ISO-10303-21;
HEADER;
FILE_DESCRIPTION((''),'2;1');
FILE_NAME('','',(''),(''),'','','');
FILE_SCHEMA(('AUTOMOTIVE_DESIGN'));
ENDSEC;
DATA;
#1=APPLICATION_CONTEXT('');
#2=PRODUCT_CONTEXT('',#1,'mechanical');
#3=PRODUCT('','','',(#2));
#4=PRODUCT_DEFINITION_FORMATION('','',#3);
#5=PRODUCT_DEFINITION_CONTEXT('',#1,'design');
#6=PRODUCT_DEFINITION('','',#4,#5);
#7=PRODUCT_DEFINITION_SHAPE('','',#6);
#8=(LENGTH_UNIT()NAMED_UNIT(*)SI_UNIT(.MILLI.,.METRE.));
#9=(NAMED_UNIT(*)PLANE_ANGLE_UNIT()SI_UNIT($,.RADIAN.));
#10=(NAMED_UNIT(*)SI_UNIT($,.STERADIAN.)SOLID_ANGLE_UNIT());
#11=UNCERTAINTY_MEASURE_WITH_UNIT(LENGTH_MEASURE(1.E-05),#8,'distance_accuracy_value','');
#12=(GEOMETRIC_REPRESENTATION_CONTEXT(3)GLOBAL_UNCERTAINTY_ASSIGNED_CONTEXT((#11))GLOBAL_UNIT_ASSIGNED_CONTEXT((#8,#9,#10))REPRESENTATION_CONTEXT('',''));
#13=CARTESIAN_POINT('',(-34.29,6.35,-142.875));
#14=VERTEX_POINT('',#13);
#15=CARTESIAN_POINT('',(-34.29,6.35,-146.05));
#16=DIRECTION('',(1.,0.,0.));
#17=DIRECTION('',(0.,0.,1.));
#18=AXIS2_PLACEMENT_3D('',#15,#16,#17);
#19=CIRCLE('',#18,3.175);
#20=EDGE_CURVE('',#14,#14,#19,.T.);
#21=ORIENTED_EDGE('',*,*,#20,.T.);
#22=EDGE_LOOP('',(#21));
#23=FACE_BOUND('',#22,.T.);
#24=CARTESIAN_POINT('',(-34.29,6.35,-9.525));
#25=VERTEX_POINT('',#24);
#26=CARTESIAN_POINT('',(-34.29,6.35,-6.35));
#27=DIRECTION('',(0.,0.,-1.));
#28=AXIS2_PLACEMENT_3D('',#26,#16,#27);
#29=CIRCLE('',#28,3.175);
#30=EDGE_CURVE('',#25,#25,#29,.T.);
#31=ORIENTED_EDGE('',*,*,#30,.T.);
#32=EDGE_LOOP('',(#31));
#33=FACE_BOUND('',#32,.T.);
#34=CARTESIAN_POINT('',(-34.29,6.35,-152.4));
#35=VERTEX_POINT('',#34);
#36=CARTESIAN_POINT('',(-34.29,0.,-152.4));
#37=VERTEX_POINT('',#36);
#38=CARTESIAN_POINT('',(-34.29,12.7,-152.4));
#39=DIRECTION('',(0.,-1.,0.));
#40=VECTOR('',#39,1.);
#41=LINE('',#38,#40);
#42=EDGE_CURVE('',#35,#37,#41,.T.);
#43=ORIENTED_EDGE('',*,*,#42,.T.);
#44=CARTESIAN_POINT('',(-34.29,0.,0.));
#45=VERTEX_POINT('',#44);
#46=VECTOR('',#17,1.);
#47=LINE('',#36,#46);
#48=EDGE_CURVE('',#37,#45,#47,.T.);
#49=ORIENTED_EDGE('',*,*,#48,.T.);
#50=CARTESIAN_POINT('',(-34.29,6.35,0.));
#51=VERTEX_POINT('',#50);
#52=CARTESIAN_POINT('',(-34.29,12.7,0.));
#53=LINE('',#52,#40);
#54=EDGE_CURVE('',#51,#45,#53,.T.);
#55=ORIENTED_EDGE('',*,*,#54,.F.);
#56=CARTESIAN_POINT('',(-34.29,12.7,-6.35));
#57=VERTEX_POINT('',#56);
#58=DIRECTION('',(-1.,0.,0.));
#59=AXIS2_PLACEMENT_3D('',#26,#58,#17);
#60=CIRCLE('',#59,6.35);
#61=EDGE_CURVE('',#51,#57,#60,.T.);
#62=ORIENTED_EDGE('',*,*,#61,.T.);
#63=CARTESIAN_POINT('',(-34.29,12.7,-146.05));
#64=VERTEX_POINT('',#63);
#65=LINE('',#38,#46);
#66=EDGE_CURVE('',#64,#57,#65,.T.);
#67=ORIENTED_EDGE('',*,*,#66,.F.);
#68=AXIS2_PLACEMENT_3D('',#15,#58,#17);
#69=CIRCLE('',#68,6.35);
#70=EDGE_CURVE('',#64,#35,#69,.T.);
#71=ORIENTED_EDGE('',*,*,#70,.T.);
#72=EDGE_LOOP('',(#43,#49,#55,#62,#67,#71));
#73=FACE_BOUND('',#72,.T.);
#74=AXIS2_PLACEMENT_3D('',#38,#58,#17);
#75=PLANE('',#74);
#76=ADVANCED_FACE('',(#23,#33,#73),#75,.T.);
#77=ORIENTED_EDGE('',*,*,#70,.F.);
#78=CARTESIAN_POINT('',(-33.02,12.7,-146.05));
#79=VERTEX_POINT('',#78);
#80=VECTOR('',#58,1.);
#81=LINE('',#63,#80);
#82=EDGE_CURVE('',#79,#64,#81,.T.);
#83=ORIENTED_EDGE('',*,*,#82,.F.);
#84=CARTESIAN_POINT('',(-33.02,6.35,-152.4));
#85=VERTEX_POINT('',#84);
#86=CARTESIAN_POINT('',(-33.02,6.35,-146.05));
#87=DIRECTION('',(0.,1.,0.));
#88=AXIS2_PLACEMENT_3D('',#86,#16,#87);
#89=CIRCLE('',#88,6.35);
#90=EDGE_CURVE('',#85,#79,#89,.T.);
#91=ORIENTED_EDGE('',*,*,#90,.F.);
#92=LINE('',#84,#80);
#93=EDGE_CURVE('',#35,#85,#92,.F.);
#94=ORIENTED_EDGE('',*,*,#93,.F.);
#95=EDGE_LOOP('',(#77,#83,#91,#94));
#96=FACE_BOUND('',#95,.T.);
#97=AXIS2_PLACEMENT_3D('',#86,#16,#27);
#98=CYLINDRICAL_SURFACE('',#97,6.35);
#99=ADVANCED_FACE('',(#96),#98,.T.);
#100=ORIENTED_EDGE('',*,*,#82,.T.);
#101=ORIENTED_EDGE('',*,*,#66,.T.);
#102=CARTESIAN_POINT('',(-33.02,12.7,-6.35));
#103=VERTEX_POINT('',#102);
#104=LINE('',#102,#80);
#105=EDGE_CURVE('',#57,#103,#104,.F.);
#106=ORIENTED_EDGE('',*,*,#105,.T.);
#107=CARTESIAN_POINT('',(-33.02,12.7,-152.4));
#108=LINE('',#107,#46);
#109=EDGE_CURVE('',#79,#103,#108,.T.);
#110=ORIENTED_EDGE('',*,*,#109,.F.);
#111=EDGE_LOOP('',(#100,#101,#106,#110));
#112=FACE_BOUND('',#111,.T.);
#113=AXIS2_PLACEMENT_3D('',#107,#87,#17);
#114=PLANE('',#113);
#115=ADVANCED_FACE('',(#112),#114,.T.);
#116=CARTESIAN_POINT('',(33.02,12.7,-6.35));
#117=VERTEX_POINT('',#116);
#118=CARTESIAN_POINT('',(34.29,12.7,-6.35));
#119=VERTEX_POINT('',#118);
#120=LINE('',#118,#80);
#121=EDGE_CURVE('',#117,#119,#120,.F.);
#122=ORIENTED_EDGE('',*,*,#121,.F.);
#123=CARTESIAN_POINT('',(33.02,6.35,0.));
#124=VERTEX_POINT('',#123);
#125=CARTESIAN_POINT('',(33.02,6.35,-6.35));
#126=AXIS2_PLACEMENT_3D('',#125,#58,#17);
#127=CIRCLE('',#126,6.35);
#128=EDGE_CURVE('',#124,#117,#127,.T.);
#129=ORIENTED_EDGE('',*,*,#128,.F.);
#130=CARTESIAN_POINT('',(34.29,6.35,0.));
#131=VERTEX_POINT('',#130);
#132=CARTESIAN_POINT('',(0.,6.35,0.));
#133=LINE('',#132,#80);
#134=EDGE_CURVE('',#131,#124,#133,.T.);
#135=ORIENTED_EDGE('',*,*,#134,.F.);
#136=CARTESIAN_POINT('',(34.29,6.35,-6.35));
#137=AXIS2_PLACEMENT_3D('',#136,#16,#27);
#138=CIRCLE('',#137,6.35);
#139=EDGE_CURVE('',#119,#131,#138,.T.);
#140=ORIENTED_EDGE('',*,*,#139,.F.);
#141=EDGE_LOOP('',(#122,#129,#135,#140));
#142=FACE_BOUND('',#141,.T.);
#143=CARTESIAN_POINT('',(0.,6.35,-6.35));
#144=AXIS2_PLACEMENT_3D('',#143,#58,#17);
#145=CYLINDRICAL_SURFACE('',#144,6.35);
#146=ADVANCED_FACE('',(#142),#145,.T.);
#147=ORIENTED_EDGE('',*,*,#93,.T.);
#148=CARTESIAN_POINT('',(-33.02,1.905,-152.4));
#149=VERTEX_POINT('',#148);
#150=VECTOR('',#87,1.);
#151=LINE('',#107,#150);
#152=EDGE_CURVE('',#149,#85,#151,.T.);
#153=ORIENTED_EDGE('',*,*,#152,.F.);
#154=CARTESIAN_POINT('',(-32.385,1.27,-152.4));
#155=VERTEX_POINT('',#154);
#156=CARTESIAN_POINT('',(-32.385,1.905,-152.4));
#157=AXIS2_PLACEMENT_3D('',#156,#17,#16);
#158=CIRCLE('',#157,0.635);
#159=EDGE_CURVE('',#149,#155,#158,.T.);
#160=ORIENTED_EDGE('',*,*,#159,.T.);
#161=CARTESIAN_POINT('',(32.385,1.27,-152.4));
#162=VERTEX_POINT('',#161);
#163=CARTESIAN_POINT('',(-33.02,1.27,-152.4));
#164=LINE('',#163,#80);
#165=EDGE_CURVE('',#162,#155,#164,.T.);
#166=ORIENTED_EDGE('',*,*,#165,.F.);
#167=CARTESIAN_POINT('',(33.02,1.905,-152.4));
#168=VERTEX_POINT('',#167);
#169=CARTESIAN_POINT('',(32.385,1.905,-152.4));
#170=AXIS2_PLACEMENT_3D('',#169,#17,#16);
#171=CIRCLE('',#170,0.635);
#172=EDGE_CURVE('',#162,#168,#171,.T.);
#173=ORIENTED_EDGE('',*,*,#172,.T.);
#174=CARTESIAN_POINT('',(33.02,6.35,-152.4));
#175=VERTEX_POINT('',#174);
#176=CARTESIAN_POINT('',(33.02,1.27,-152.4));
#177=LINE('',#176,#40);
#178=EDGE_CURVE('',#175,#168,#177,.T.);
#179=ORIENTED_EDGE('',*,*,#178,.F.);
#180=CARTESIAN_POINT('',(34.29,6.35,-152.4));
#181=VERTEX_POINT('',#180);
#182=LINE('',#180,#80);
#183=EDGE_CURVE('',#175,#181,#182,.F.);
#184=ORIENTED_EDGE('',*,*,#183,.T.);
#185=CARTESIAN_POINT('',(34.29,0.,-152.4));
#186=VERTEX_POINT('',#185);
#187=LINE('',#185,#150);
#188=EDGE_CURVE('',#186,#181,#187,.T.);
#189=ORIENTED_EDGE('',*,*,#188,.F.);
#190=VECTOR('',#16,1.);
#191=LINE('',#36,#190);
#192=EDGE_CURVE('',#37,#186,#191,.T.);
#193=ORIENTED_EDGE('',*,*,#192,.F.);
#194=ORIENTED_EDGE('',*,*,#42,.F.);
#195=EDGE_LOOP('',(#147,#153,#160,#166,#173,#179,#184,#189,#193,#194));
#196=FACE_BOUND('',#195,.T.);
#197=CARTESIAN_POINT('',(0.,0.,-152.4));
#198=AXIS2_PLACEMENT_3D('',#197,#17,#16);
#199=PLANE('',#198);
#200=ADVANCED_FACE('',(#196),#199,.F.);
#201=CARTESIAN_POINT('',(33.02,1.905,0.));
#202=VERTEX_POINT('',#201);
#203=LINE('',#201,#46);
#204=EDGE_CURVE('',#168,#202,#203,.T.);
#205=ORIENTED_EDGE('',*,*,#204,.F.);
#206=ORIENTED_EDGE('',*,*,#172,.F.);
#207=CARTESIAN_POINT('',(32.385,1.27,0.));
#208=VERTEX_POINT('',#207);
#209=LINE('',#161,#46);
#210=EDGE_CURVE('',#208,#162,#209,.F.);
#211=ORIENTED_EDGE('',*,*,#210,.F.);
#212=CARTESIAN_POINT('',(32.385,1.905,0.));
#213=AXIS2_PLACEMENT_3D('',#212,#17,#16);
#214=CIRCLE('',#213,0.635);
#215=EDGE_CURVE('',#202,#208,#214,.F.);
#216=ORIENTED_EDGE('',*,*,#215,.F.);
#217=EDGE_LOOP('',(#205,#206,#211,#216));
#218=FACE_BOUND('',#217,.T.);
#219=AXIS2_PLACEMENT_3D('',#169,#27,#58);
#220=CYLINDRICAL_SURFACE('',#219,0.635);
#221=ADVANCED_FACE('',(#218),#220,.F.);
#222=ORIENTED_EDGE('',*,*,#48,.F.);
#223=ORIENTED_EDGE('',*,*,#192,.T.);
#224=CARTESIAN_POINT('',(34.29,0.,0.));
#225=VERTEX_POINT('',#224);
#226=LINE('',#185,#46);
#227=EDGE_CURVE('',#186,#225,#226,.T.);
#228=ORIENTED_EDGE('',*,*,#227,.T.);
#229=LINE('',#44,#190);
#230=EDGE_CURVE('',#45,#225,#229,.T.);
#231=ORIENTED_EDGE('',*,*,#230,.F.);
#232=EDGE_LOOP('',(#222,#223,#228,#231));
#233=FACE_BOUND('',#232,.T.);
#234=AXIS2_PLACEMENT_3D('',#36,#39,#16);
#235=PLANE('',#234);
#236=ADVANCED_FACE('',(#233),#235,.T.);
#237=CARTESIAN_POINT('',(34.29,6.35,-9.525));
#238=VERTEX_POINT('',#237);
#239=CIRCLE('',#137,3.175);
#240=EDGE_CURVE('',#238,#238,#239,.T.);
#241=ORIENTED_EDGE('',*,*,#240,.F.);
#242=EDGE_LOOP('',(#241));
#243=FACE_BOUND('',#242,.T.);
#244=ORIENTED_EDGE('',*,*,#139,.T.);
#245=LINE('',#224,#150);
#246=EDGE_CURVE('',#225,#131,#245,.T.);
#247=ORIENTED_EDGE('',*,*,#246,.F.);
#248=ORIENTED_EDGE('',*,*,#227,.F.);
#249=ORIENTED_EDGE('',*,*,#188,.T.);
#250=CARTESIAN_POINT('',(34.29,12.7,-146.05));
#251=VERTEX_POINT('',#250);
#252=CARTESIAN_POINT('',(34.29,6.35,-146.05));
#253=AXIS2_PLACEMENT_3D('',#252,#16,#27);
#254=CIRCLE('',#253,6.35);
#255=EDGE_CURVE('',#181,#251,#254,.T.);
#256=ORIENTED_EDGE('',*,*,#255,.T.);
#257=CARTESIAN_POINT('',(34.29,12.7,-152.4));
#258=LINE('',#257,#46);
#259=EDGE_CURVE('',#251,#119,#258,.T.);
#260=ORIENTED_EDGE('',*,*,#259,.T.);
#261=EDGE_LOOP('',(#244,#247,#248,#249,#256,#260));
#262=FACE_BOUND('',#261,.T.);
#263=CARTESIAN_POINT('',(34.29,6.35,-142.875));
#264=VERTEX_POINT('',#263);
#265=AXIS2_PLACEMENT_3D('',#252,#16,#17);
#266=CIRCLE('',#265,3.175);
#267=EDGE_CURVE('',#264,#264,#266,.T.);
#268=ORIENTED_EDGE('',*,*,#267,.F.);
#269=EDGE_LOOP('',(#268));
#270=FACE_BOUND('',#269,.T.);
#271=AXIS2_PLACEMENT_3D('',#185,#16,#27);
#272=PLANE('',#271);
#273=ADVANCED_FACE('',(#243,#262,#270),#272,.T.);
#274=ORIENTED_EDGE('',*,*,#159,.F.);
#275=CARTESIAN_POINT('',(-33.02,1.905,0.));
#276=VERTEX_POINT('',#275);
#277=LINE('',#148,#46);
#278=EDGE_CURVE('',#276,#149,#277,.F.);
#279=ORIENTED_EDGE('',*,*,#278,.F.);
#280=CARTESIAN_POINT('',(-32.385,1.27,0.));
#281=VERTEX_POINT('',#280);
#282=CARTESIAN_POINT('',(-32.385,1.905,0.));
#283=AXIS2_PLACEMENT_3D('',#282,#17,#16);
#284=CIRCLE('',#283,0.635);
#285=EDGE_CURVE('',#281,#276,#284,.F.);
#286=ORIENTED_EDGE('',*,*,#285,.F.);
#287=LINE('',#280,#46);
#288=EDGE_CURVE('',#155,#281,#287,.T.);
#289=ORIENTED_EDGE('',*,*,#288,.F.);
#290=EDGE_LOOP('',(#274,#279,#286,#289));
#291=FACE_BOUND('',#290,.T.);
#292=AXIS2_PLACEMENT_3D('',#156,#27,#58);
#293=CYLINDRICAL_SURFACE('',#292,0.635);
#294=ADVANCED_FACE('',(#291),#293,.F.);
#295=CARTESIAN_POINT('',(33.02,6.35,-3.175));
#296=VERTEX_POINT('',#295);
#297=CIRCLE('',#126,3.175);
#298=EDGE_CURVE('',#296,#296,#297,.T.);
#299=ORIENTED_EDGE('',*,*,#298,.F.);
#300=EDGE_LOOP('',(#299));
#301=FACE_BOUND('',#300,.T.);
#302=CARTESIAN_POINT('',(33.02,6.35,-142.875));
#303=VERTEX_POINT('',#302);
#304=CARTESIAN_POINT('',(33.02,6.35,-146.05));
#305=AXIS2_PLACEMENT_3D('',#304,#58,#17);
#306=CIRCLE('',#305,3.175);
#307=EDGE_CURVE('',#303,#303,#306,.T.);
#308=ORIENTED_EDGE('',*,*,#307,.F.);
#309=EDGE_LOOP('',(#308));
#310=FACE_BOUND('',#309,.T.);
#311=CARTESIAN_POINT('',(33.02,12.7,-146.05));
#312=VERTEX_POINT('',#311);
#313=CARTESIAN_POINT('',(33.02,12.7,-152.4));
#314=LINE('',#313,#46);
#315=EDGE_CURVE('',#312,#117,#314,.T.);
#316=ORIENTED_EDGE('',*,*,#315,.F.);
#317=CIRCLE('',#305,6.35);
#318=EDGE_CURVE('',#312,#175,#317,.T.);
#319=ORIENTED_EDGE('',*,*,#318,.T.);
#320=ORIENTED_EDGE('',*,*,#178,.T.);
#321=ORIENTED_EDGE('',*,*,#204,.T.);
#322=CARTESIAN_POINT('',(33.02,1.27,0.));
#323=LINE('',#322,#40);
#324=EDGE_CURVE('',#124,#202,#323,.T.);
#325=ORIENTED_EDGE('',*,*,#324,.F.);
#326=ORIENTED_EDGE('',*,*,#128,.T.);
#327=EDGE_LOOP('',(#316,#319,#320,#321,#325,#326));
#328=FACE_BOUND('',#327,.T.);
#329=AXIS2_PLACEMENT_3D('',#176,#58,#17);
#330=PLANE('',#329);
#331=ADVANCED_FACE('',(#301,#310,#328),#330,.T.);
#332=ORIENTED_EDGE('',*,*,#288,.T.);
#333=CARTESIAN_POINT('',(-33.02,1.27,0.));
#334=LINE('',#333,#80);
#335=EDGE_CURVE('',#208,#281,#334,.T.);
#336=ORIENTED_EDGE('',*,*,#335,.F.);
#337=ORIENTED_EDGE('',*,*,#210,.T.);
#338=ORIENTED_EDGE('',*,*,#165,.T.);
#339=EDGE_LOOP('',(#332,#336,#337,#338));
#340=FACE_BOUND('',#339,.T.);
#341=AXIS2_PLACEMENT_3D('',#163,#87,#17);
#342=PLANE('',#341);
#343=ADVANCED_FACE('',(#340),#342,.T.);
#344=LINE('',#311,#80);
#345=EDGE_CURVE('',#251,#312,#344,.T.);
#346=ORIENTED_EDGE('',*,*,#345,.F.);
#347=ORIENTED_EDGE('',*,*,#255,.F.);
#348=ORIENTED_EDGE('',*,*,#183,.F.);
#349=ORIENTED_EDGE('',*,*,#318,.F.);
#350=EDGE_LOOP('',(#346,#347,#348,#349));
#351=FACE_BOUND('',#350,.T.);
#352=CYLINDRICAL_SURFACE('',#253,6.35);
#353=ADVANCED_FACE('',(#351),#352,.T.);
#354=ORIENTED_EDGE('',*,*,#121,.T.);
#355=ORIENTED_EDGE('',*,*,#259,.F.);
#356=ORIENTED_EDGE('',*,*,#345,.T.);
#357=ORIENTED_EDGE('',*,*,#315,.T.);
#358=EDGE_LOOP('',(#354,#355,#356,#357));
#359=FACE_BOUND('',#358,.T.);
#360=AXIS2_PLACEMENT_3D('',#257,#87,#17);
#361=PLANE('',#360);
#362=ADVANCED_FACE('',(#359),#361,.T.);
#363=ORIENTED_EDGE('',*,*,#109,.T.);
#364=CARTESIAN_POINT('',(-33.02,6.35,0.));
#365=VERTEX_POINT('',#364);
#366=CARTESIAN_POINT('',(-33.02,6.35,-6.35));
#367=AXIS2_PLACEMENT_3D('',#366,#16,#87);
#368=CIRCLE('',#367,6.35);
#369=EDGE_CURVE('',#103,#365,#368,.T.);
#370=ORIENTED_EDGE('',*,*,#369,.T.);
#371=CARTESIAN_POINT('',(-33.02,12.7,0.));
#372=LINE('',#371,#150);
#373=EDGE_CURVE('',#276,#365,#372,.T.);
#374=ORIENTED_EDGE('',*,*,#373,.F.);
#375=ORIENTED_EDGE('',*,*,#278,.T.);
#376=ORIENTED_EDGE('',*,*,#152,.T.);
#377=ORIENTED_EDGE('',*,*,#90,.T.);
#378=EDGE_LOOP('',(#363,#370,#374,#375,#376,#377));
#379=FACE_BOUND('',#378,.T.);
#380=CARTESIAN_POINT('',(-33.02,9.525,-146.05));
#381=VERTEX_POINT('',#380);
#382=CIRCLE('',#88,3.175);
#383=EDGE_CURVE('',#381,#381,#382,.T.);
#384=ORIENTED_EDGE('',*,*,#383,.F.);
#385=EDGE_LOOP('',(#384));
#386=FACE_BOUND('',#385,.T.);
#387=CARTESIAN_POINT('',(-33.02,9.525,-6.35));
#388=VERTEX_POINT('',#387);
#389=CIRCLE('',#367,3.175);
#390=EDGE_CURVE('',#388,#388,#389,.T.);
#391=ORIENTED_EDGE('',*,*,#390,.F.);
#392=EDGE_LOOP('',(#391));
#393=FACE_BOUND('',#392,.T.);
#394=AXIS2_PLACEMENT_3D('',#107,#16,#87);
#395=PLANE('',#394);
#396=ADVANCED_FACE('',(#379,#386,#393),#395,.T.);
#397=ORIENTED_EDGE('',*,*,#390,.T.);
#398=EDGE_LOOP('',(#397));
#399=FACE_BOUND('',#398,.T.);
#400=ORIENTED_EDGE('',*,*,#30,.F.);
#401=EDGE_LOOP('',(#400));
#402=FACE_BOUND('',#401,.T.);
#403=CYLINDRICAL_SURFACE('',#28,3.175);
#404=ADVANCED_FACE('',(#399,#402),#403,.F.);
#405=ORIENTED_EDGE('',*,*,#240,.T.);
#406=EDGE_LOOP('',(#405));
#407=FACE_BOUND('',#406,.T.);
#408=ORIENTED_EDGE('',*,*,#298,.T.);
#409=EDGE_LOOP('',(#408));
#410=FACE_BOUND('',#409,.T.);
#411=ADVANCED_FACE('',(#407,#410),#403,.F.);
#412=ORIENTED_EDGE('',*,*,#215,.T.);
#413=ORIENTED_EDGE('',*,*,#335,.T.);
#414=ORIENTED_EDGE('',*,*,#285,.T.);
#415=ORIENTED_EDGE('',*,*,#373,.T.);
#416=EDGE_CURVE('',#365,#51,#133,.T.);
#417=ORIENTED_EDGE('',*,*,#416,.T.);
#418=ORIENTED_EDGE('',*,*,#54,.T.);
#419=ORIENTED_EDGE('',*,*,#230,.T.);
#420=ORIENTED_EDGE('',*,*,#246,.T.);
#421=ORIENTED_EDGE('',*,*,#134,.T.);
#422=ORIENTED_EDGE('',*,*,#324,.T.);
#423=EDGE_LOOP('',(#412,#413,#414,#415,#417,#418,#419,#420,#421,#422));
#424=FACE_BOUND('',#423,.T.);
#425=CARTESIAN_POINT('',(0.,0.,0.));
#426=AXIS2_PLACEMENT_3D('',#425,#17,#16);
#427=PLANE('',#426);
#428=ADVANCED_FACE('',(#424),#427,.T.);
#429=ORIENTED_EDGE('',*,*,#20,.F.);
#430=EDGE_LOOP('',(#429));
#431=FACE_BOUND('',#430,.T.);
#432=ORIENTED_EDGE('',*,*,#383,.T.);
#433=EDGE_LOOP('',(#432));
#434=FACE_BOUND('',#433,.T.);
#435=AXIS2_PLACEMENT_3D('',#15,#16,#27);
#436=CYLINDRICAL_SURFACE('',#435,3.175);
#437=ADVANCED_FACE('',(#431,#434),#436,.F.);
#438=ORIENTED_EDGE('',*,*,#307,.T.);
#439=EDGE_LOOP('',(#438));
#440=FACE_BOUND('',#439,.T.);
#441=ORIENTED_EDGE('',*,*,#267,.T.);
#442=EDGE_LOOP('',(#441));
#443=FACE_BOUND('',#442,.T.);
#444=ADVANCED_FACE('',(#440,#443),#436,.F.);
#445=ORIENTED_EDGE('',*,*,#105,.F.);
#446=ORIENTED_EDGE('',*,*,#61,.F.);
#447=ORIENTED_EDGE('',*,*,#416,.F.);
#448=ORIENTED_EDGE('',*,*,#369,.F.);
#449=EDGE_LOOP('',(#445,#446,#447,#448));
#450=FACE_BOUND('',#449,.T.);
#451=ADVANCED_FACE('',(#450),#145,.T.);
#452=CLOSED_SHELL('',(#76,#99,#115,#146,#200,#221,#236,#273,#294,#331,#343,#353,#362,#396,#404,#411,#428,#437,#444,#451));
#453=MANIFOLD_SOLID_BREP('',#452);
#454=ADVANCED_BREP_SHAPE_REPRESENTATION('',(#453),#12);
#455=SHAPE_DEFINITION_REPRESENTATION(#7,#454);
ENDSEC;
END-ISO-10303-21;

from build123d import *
from OCP.BRepFilletAPI import BRepFilletAPI_MakeFillet

# Parameters (mm, degrees)
BOSS_EXTRUDE1_DEPTH = 152.4
FILLET1_R1          = 6.35
FILLET1_R2          = 0.635
SKETCH3_R           = 3.175
CUT_EXTRUDE1_DEPTH  = 168.601510733


with BuildPart() as part:
    # Sketch2 → Boss-Extrude1 (new body)
    with BuildSketch(Plane.XY):
        Polygon((-34.29, 12.7), (-34.29, 0), (34.29, 0), (34.29, 12.7), (33.02, 12.7), (33.02, 1.27), (-33.02, 1.27), (-33.02, 12.7), align=None)
    extrude(amount=-BOSS_EXTRUDE1_DEPTH)

    # Fillet1: one fillet with a radius per group of edges: ONE call of the kernel's fillet builder (fillet() takes one radius for all edges)
    fillet1_edges_1 = [part.edges().sort_by_distance(p)[0] for p in [
        (33.655, 12.7, 0),
        (-33.655, 12.7, 0),
        (-33.655, 12.7, -152.4),
        (33.655, 12.7, -152.4),
    ]]
    fillet1_edges_2 = [part.edges().sort_by_distance(p)[0] for p in [
        (-33.02, 1.27, -76.2),
        (33.02, 1.27, -76.2),
    ]]
    fillet1 = BRepFilletAPI_MakeFillet(part.part.solid().wrapped)
    for e in fillet1_edges_1:
        fillet1.Add(FILLET1_R1, e.wrapped)
    for e in fillet1_edges_2:
        fillet1.Add(FILLET1_R2, e.wrapped)
    add(Compound.cast(fillet1.Shape()), mode=Mode.REPLACE)

    # Sketch3 → Cut-Extrude1 (cut, through all)
    with BuildSketch(Plane(origin=(34.29, 0, 0), x_dir=(0, 0, -1), z_dir=(1, 0, 0))):
        with Locations((6.35, 6.35)):
            Circle(SKETCH3_R)
        with Locations((146.05, 6.35)):
            Circle(SKETCH3_R)
    extrude(amount=-CUT_EXTRUDE1_DEPTH, mode=Mode.SUBTRACT)


solid = part.part
